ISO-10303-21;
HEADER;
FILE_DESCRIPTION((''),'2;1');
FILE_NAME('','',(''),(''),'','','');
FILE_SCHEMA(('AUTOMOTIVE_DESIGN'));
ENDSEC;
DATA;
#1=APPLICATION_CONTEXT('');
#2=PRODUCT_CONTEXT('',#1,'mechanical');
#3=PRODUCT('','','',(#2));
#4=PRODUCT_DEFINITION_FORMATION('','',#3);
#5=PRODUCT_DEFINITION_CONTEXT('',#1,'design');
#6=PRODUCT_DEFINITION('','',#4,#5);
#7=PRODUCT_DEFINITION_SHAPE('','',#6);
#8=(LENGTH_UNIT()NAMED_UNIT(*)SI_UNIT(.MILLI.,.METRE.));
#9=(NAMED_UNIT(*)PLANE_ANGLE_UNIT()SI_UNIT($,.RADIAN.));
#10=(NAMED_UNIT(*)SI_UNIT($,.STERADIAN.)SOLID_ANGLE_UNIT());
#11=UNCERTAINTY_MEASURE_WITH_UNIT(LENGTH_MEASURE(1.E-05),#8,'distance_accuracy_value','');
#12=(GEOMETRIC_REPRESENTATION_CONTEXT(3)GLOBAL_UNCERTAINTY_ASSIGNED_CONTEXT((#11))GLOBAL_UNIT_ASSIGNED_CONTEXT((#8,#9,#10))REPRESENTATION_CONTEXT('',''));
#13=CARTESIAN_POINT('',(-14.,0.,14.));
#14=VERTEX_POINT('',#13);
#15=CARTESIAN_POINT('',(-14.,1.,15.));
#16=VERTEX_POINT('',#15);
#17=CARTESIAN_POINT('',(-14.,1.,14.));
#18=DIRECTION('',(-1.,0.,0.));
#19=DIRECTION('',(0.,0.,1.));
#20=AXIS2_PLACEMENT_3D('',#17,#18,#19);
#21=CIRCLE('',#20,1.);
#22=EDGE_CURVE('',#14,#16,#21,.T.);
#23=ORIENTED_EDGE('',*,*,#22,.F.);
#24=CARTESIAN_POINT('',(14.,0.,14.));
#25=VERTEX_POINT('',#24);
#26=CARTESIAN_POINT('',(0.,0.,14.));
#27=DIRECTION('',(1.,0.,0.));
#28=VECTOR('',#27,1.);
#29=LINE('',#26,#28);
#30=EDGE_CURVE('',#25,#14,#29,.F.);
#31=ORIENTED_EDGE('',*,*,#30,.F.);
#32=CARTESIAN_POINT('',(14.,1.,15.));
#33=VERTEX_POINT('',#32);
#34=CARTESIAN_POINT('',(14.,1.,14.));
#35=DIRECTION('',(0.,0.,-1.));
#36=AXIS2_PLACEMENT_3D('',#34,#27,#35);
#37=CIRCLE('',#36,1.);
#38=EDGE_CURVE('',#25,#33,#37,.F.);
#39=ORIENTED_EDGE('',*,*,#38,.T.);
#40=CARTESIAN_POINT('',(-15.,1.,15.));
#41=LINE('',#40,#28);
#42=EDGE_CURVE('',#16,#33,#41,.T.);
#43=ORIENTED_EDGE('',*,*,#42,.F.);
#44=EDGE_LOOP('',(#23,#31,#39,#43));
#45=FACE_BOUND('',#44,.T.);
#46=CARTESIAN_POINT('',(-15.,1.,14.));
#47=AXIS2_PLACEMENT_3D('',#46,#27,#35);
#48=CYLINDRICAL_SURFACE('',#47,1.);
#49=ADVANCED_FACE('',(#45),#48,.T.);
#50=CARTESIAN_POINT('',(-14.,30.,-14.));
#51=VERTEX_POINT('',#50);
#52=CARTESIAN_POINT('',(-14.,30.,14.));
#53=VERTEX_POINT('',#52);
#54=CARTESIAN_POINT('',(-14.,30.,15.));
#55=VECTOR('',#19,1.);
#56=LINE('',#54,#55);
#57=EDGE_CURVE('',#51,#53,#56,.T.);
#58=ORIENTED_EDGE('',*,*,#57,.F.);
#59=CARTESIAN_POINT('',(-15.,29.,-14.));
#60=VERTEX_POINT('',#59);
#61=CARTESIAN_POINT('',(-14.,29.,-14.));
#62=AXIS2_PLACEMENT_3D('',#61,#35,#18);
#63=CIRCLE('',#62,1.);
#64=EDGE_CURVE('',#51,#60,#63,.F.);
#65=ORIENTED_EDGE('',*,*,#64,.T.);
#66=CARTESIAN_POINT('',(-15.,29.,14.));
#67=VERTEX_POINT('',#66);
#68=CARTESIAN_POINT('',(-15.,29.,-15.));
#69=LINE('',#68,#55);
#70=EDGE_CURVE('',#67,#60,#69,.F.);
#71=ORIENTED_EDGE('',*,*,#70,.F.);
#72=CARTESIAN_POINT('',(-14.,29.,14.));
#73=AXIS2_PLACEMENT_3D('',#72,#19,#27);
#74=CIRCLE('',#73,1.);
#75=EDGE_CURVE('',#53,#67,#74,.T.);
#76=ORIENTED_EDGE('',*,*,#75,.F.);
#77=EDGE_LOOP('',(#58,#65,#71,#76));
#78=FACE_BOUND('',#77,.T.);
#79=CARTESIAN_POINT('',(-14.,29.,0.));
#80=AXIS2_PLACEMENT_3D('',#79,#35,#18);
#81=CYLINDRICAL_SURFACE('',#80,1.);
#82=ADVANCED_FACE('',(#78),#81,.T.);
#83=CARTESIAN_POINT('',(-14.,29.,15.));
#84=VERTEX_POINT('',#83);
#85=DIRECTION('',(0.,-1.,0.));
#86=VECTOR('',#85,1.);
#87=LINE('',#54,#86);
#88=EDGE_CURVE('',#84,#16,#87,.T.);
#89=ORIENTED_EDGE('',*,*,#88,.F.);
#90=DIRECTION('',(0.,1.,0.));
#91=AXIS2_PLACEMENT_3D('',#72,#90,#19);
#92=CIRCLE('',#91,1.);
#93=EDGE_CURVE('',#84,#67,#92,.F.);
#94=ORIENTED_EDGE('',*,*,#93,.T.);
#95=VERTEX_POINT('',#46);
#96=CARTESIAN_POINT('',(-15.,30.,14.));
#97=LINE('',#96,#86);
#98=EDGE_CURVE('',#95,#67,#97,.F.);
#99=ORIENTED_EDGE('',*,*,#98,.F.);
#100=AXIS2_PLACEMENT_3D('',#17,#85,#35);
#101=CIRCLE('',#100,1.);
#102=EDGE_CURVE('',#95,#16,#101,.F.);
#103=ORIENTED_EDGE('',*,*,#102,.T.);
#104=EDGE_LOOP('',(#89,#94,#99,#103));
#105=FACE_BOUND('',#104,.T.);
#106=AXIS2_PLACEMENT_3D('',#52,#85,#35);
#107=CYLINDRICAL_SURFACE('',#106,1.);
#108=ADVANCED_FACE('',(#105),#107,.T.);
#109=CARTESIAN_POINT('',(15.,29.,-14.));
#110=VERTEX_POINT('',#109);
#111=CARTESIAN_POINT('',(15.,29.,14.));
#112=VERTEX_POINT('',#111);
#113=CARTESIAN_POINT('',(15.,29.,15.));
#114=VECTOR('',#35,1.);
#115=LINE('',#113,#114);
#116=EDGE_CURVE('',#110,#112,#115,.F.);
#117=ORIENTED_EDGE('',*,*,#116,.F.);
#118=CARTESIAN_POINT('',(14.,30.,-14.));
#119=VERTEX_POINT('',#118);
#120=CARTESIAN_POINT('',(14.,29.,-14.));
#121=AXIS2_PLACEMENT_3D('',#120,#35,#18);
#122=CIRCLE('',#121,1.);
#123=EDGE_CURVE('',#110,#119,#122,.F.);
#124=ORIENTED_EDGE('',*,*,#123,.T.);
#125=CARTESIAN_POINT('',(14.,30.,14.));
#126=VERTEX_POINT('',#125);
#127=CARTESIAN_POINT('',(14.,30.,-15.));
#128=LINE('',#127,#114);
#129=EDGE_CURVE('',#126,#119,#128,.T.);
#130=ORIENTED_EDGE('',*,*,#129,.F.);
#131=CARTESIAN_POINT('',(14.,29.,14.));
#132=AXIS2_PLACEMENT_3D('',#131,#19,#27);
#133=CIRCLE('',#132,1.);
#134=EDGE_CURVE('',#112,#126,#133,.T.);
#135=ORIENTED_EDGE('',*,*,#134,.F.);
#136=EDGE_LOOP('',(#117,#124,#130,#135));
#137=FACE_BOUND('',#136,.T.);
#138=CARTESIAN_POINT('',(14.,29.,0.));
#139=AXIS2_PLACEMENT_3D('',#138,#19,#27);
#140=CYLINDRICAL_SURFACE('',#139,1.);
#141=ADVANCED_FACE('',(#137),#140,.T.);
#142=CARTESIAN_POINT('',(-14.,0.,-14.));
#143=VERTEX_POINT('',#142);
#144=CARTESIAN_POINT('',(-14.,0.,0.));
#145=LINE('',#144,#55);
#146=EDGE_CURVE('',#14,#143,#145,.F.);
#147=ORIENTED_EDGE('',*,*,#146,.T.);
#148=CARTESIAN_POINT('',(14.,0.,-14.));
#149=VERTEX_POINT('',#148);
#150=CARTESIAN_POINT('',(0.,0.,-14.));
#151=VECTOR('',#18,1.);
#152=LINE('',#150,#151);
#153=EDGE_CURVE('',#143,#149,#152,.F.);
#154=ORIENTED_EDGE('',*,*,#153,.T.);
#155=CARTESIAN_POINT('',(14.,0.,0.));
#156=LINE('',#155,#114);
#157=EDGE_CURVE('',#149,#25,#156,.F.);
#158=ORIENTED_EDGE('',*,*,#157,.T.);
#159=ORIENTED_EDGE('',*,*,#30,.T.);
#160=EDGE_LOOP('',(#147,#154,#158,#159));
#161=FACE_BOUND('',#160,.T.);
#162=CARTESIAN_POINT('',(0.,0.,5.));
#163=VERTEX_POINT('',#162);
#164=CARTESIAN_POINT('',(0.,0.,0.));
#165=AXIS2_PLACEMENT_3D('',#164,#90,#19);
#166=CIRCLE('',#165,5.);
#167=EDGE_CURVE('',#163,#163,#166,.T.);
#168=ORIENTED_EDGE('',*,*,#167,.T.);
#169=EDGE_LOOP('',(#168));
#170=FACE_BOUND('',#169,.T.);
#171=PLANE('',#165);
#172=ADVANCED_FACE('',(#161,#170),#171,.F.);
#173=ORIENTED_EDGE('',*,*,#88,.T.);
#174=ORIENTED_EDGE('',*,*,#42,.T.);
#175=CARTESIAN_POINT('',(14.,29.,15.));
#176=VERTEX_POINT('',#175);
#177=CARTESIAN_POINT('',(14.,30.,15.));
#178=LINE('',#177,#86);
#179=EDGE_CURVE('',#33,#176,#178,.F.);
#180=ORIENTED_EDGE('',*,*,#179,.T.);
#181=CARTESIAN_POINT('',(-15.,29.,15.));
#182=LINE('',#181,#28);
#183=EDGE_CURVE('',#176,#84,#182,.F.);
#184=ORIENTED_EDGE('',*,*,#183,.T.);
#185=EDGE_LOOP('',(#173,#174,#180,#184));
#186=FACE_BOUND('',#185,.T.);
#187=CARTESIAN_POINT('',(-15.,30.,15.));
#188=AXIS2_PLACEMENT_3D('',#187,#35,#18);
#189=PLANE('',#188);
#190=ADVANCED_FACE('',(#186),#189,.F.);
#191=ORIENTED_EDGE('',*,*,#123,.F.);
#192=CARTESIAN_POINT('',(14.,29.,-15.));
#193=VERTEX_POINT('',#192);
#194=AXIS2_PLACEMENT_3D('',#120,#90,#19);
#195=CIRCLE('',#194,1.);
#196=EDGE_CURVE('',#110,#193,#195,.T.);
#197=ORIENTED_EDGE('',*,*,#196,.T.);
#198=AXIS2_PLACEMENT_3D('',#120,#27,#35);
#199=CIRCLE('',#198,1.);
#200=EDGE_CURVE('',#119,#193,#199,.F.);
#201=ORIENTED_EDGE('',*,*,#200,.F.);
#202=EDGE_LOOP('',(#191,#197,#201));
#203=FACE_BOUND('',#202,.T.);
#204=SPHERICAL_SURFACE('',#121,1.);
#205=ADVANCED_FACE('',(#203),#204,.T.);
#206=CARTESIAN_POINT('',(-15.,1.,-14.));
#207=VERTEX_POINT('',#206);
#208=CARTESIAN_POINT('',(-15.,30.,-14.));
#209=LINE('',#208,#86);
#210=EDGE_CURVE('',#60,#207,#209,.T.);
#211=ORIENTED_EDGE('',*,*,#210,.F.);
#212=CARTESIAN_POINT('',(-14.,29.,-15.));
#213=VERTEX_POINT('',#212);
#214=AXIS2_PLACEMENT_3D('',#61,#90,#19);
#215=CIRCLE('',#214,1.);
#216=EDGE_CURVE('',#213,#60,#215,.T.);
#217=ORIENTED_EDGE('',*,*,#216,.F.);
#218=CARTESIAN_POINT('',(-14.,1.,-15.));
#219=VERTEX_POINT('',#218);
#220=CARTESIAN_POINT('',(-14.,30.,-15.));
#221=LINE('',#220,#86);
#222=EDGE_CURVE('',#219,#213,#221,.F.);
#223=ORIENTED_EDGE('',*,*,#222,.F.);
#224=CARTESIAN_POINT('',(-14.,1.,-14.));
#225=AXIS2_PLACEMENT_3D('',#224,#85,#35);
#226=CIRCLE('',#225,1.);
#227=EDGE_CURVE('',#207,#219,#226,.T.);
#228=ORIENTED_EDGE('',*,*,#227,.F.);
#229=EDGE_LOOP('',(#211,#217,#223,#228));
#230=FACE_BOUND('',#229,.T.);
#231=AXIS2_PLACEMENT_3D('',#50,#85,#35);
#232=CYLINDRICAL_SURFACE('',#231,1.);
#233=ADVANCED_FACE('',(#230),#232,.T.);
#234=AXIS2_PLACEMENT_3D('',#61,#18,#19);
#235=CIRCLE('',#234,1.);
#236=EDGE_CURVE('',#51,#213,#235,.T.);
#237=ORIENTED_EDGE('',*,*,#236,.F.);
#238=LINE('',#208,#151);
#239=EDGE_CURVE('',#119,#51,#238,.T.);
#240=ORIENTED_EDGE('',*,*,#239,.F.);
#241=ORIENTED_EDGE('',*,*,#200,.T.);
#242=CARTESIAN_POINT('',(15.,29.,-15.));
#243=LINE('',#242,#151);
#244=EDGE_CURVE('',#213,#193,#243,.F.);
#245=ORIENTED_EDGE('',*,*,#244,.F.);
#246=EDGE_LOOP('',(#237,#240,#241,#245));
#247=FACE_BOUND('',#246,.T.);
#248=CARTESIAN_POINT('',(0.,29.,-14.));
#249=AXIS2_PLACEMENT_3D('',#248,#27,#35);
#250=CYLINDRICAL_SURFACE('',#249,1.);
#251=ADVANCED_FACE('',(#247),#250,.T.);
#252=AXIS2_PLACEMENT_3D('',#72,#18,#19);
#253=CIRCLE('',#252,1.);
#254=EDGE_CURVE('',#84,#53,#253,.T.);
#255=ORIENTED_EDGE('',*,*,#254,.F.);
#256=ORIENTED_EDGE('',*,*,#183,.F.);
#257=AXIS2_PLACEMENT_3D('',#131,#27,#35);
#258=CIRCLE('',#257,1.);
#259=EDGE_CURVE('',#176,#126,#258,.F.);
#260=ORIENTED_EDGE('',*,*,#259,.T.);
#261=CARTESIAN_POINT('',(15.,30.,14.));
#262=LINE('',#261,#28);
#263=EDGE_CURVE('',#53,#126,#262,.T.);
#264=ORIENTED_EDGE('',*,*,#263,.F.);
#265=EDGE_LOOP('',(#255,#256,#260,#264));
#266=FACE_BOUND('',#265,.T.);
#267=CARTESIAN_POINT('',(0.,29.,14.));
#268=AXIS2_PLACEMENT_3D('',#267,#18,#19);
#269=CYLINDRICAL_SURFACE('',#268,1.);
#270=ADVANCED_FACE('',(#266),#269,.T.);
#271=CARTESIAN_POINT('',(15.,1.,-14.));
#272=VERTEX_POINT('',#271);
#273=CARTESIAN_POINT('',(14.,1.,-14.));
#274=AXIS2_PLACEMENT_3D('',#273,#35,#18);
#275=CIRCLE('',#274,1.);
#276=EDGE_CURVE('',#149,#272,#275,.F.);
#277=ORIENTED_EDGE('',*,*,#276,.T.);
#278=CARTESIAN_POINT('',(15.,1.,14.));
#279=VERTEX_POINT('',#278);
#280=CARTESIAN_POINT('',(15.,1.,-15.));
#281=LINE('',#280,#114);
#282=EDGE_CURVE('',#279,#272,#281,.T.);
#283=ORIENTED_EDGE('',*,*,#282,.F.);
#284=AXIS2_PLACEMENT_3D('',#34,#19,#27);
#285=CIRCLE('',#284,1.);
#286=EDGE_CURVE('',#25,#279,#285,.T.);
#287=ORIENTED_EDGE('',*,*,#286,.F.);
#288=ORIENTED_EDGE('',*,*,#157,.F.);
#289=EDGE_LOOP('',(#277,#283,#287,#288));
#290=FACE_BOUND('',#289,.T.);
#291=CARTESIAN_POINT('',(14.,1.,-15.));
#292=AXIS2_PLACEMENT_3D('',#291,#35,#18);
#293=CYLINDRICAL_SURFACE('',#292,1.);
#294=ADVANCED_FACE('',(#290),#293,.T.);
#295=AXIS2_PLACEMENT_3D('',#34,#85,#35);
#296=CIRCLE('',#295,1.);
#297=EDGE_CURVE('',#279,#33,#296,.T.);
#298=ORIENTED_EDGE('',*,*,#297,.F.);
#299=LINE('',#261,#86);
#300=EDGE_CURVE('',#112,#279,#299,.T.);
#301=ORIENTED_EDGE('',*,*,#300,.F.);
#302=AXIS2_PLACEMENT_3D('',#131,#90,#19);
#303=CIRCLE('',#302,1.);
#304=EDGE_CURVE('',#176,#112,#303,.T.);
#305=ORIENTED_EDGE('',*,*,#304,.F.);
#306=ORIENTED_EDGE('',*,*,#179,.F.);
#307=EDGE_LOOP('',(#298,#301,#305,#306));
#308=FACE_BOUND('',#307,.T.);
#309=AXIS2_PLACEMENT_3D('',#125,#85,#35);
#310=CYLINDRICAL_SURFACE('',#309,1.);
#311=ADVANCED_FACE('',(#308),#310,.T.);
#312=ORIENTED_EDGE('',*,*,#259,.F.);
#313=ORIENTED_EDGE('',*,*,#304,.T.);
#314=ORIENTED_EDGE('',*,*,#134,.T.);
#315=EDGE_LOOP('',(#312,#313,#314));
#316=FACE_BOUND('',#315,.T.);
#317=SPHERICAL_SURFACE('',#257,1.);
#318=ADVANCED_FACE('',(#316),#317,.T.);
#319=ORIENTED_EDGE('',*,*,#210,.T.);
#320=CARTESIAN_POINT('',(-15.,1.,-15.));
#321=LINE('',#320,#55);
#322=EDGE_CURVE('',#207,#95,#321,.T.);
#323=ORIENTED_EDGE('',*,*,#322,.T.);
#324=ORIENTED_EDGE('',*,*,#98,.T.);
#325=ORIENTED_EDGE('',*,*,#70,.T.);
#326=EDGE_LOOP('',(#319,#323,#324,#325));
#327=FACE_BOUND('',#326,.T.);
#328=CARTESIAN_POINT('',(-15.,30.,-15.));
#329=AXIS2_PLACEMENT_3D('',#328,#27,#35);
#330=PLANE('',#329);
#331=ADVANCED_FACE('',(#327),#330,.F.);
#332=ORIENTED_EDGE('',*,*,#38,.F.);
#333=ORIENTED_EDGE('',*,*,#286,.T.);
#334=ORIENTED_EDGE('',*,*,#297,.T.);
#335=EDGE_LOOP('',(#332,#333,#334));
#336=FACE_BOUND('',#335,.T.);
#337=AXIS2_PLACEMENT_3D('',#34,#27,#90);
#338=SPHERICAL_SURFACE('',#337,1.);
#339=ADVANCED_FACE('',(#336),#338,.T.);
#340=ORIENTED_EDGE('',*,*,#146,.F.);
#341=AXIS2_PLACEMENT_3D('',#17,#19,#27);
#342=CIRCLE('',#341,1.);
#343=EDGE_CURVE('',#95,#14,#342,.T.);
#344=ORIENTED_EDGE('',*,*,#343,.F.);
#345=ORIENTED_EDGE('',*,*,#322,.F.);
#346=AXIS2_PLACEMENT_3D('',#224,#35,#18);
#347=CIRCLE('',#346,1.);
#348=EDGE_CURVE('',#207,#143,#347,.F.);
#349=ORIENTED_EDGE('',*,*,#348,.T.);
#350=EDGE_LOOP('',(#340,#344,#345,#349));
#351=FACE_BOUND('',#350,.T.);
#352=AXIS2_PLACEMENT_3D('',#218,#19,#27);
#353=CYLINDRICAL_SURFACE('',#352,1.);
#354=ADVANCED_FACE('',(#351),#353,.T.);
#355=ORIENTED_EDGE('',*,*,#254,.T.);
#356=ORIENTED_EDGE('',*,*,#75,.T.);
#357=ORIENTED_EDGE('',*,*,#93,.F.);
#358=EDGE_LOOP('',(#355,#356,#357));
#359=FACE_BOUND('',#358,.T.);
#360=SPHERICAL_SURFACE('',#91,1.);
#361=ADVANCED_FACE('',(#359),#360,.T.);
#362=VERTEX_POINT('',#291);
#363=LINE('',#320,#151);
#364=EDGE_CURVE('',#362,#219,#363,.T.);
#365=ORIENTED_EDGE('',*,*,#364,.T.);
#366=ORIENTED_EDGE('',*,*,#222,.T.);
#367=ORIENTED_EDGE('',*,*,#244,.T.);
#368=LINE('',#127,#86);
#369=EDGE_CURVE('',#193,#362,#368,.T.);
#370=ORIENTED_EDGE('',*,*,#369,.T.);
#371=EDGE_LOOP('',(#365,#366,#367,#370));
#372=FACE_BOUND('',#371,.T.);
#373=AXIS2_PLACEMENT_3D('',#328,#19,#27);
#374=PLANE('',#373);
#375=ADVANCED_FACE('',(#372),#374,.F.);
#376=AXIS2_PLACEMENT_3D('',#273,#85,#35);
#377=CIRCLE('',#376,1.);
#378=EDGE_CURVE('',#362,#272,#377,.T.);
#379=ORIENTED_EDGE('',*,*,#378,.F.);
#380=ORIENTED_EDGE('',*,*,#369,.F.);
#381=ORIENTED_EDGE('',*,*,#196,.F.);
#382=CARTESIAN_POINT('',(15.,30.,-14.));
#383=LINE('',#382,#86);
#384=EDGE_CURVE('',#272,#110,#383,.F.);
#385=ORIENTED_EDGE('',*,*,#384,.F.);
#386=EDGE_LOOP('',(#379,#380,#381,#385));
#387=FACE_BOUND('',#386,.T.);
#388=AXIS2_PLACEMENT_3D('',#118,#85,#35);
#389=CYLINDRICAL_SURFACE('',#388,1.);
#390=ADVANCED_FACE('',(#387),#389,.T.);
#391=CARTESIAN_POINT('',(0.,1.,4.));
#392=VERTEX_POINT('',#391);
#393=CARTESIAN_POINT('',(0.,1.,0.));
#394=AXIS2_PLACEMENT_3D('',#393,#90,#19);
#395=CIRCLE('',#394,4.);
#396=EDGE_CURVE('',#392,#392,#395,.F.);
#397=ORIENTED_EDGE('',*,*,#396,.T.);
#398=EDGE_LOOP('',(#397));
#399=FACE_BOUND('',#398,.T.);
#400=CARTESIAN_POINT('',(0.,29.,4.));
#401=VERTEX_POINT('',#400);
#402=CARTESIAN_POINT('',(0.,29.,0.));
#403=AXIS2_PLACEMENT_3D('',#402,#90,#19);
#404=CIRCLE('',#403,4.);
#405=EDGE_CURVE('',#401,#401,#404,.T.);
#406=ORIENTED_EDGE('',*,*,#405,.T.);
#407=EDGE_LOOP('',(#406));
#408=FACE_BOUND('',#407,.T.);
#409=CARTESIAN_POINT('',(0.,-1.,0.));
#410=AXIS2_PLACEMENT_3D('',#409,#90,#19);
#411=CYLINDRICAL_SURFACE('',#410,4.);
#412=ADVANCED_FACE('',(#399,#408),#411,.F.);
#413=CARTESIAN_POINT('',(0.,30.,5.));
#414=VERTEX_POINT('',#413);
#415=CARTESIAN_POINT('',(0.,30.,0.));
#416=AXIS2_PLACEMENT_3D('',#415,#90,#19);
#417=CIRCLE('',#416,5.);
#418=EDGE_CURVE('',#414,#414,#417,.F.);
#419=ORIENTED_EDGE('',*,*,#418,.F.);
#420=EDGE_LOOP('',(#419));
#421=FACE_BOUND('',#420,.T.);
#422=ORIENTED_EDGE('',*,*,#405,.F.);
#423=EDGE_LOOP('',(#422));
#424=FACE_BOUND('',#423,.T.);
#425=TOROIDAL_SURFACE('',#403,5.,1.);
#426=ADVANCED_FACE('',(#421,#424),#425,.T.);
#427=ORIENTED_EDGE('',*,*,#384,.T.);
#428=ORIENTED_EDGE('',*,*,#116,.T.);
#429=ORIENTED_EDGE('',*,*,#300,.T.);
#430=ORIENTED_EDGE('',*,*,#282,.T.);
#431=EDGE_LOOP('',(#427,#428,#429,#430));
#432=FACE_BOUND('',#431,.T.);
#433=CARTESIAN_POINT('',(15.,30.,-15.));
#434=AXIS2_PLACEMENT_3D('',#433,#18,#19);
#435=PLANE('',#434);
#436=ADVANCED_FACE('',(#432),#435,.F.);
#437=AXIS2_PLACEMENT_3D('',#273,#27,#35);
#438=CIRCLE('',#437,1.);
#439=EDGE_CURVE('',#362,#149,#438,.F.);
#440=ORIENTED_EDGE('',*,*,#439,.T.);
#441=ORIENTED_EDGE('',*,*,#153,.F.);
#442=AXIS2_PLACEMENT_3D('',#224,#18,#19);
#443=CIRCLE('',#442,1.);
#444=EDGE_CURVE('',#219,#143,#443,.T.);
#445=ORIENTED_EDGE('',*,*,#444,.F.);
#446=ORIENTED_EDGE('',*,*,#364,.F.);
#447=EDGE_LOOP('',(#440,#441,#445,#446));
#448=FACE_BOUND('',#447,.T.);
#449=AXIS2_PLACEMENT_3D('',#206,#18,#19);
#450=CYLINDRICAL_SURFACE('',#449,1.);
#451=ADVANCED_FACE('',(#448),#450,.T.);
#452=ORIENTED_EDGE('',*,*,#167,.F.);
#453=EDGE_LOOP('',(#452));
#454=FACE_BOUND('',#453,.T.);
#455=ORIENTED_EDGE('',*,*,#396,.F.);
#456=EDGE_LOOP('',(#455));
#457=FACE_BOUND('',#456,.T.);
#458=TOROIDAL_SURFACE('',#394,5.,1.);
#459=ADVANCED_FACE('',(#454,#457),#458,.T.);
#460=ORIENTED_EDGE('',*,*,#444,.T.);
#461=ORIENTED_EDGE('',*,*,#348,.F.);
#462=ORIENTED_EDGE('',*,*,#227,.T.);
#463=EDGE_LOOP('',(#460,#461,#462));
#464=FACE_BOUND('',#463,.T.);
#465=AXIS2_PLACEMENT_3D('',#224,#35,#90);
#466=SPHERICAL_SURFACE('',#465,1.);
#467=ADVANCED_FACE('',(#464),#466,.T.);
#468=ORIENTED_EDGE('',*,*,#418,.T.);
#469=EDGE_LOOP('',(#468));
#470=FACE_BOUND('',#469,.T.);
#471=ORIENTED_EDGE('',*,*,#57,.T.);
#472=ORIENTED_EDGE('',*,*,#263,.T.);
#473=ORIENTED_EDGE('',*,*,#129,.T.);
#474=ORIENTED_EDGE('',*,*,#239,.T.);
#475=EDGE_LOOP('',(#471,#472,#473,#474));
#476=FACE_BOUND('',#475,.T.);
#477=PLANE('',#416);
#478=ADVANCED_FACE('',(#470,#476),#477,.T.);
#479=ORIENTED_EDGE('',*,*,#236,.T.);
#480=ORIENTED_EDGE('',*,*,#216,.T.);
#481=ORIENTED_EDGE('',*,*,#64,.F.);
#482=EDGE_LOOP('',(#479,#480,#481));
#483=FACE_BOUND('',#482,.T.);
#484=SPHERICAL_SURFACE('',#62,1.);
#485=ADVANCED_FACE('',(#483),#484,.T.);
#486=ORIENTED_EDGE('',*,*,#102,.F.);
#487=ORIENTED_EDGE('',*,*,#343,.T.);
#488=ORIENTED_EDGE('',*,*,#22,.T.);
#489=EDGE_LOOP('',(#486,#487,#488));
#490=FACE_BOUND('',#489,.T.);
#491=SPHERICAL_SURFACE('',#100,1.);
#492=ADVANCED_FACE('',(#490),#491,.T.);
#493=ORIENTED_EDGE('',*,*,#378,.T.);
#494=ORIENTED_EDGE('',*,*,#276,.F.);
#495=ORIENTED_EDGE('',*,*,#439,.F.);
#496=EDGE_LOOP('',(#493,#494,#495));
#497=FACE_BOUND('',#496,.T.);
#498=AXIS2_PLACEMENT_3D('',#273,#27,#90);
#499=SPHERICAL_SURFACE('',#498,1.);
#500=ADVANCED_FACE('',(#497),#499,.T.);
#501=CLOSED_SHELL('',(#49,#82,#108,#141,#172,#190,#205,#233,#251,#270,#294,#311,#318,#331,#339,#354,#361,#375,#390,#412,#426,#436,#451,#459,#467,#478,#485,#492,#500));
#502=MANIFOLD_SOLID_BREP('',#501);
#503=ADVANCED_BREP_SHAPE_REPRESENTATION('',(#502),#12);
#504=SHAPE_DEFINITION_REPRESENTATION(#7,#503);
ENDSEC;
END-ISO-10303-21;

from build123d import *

# Parameters (mm, degrees)
SKIZZE1_W                       = 30
SKIZZE1_H                       = 30
AUFSATZ_LINEAR_AUSTRAGEN1_DEPTH = 30
SKIZZE2_R                       = 4
SCHNITT_LINEAR_AUSTRAGEN1_DEPTH = 31
VERRUNDUNG1_R                   = 1


with BuildPart() as part:
    # Skizze1 → Aufsatz-Linear austragen1 (new body)
    with BuildSketch(Plane(origin=(0, 0, 0), x_dir=(1, 0, 0), z_dir=(0, 1, 0))):
        Rectangle(SKIZZE1_W, SKIZZE1_H)
    extrude(amount=AUFSATZ_LINEAR_AUSTRAGEN1_DEPTH)

    # Skizze2 → Schnitt-Linear austragen1 (cut)
    with BuildSketch(Plane(origin=(0, 30, 0), x_dir=(1, 0, 0), z_dir=(0, 1, 0))):
        with Locations(Location((0, 0, 0), (0, 0, 270))):
            Circle(SKIZZE2_R)
    extrude(amount=-SCHNITT_LINEAR_AUSTRAGEN1_DEPTH, mode=Mode.SUBTRACT)

    # Verrundung1
    verrundung1_edges = [part.edges().sort_by_distance(p)[0] for p in [
        (-15, 30, 0),
        (0, 0, -4),
        (0, 30, -4),
        (0, 30, 15),
        (15, 30, 0),
        (0, 0, 15),
        (-15, 0, 0),
        (0, 0, -15),
        (15, 0, 0),
        (15, 15, 15),
        (-15, 15, 15),
        (-15, 15, -15),
        (15, 15, -15),
        (0, 30, -15),
    ]]
    fillet(verrundung1_edges, radius=VERRUNDUNG1_R)


solid = part.part
